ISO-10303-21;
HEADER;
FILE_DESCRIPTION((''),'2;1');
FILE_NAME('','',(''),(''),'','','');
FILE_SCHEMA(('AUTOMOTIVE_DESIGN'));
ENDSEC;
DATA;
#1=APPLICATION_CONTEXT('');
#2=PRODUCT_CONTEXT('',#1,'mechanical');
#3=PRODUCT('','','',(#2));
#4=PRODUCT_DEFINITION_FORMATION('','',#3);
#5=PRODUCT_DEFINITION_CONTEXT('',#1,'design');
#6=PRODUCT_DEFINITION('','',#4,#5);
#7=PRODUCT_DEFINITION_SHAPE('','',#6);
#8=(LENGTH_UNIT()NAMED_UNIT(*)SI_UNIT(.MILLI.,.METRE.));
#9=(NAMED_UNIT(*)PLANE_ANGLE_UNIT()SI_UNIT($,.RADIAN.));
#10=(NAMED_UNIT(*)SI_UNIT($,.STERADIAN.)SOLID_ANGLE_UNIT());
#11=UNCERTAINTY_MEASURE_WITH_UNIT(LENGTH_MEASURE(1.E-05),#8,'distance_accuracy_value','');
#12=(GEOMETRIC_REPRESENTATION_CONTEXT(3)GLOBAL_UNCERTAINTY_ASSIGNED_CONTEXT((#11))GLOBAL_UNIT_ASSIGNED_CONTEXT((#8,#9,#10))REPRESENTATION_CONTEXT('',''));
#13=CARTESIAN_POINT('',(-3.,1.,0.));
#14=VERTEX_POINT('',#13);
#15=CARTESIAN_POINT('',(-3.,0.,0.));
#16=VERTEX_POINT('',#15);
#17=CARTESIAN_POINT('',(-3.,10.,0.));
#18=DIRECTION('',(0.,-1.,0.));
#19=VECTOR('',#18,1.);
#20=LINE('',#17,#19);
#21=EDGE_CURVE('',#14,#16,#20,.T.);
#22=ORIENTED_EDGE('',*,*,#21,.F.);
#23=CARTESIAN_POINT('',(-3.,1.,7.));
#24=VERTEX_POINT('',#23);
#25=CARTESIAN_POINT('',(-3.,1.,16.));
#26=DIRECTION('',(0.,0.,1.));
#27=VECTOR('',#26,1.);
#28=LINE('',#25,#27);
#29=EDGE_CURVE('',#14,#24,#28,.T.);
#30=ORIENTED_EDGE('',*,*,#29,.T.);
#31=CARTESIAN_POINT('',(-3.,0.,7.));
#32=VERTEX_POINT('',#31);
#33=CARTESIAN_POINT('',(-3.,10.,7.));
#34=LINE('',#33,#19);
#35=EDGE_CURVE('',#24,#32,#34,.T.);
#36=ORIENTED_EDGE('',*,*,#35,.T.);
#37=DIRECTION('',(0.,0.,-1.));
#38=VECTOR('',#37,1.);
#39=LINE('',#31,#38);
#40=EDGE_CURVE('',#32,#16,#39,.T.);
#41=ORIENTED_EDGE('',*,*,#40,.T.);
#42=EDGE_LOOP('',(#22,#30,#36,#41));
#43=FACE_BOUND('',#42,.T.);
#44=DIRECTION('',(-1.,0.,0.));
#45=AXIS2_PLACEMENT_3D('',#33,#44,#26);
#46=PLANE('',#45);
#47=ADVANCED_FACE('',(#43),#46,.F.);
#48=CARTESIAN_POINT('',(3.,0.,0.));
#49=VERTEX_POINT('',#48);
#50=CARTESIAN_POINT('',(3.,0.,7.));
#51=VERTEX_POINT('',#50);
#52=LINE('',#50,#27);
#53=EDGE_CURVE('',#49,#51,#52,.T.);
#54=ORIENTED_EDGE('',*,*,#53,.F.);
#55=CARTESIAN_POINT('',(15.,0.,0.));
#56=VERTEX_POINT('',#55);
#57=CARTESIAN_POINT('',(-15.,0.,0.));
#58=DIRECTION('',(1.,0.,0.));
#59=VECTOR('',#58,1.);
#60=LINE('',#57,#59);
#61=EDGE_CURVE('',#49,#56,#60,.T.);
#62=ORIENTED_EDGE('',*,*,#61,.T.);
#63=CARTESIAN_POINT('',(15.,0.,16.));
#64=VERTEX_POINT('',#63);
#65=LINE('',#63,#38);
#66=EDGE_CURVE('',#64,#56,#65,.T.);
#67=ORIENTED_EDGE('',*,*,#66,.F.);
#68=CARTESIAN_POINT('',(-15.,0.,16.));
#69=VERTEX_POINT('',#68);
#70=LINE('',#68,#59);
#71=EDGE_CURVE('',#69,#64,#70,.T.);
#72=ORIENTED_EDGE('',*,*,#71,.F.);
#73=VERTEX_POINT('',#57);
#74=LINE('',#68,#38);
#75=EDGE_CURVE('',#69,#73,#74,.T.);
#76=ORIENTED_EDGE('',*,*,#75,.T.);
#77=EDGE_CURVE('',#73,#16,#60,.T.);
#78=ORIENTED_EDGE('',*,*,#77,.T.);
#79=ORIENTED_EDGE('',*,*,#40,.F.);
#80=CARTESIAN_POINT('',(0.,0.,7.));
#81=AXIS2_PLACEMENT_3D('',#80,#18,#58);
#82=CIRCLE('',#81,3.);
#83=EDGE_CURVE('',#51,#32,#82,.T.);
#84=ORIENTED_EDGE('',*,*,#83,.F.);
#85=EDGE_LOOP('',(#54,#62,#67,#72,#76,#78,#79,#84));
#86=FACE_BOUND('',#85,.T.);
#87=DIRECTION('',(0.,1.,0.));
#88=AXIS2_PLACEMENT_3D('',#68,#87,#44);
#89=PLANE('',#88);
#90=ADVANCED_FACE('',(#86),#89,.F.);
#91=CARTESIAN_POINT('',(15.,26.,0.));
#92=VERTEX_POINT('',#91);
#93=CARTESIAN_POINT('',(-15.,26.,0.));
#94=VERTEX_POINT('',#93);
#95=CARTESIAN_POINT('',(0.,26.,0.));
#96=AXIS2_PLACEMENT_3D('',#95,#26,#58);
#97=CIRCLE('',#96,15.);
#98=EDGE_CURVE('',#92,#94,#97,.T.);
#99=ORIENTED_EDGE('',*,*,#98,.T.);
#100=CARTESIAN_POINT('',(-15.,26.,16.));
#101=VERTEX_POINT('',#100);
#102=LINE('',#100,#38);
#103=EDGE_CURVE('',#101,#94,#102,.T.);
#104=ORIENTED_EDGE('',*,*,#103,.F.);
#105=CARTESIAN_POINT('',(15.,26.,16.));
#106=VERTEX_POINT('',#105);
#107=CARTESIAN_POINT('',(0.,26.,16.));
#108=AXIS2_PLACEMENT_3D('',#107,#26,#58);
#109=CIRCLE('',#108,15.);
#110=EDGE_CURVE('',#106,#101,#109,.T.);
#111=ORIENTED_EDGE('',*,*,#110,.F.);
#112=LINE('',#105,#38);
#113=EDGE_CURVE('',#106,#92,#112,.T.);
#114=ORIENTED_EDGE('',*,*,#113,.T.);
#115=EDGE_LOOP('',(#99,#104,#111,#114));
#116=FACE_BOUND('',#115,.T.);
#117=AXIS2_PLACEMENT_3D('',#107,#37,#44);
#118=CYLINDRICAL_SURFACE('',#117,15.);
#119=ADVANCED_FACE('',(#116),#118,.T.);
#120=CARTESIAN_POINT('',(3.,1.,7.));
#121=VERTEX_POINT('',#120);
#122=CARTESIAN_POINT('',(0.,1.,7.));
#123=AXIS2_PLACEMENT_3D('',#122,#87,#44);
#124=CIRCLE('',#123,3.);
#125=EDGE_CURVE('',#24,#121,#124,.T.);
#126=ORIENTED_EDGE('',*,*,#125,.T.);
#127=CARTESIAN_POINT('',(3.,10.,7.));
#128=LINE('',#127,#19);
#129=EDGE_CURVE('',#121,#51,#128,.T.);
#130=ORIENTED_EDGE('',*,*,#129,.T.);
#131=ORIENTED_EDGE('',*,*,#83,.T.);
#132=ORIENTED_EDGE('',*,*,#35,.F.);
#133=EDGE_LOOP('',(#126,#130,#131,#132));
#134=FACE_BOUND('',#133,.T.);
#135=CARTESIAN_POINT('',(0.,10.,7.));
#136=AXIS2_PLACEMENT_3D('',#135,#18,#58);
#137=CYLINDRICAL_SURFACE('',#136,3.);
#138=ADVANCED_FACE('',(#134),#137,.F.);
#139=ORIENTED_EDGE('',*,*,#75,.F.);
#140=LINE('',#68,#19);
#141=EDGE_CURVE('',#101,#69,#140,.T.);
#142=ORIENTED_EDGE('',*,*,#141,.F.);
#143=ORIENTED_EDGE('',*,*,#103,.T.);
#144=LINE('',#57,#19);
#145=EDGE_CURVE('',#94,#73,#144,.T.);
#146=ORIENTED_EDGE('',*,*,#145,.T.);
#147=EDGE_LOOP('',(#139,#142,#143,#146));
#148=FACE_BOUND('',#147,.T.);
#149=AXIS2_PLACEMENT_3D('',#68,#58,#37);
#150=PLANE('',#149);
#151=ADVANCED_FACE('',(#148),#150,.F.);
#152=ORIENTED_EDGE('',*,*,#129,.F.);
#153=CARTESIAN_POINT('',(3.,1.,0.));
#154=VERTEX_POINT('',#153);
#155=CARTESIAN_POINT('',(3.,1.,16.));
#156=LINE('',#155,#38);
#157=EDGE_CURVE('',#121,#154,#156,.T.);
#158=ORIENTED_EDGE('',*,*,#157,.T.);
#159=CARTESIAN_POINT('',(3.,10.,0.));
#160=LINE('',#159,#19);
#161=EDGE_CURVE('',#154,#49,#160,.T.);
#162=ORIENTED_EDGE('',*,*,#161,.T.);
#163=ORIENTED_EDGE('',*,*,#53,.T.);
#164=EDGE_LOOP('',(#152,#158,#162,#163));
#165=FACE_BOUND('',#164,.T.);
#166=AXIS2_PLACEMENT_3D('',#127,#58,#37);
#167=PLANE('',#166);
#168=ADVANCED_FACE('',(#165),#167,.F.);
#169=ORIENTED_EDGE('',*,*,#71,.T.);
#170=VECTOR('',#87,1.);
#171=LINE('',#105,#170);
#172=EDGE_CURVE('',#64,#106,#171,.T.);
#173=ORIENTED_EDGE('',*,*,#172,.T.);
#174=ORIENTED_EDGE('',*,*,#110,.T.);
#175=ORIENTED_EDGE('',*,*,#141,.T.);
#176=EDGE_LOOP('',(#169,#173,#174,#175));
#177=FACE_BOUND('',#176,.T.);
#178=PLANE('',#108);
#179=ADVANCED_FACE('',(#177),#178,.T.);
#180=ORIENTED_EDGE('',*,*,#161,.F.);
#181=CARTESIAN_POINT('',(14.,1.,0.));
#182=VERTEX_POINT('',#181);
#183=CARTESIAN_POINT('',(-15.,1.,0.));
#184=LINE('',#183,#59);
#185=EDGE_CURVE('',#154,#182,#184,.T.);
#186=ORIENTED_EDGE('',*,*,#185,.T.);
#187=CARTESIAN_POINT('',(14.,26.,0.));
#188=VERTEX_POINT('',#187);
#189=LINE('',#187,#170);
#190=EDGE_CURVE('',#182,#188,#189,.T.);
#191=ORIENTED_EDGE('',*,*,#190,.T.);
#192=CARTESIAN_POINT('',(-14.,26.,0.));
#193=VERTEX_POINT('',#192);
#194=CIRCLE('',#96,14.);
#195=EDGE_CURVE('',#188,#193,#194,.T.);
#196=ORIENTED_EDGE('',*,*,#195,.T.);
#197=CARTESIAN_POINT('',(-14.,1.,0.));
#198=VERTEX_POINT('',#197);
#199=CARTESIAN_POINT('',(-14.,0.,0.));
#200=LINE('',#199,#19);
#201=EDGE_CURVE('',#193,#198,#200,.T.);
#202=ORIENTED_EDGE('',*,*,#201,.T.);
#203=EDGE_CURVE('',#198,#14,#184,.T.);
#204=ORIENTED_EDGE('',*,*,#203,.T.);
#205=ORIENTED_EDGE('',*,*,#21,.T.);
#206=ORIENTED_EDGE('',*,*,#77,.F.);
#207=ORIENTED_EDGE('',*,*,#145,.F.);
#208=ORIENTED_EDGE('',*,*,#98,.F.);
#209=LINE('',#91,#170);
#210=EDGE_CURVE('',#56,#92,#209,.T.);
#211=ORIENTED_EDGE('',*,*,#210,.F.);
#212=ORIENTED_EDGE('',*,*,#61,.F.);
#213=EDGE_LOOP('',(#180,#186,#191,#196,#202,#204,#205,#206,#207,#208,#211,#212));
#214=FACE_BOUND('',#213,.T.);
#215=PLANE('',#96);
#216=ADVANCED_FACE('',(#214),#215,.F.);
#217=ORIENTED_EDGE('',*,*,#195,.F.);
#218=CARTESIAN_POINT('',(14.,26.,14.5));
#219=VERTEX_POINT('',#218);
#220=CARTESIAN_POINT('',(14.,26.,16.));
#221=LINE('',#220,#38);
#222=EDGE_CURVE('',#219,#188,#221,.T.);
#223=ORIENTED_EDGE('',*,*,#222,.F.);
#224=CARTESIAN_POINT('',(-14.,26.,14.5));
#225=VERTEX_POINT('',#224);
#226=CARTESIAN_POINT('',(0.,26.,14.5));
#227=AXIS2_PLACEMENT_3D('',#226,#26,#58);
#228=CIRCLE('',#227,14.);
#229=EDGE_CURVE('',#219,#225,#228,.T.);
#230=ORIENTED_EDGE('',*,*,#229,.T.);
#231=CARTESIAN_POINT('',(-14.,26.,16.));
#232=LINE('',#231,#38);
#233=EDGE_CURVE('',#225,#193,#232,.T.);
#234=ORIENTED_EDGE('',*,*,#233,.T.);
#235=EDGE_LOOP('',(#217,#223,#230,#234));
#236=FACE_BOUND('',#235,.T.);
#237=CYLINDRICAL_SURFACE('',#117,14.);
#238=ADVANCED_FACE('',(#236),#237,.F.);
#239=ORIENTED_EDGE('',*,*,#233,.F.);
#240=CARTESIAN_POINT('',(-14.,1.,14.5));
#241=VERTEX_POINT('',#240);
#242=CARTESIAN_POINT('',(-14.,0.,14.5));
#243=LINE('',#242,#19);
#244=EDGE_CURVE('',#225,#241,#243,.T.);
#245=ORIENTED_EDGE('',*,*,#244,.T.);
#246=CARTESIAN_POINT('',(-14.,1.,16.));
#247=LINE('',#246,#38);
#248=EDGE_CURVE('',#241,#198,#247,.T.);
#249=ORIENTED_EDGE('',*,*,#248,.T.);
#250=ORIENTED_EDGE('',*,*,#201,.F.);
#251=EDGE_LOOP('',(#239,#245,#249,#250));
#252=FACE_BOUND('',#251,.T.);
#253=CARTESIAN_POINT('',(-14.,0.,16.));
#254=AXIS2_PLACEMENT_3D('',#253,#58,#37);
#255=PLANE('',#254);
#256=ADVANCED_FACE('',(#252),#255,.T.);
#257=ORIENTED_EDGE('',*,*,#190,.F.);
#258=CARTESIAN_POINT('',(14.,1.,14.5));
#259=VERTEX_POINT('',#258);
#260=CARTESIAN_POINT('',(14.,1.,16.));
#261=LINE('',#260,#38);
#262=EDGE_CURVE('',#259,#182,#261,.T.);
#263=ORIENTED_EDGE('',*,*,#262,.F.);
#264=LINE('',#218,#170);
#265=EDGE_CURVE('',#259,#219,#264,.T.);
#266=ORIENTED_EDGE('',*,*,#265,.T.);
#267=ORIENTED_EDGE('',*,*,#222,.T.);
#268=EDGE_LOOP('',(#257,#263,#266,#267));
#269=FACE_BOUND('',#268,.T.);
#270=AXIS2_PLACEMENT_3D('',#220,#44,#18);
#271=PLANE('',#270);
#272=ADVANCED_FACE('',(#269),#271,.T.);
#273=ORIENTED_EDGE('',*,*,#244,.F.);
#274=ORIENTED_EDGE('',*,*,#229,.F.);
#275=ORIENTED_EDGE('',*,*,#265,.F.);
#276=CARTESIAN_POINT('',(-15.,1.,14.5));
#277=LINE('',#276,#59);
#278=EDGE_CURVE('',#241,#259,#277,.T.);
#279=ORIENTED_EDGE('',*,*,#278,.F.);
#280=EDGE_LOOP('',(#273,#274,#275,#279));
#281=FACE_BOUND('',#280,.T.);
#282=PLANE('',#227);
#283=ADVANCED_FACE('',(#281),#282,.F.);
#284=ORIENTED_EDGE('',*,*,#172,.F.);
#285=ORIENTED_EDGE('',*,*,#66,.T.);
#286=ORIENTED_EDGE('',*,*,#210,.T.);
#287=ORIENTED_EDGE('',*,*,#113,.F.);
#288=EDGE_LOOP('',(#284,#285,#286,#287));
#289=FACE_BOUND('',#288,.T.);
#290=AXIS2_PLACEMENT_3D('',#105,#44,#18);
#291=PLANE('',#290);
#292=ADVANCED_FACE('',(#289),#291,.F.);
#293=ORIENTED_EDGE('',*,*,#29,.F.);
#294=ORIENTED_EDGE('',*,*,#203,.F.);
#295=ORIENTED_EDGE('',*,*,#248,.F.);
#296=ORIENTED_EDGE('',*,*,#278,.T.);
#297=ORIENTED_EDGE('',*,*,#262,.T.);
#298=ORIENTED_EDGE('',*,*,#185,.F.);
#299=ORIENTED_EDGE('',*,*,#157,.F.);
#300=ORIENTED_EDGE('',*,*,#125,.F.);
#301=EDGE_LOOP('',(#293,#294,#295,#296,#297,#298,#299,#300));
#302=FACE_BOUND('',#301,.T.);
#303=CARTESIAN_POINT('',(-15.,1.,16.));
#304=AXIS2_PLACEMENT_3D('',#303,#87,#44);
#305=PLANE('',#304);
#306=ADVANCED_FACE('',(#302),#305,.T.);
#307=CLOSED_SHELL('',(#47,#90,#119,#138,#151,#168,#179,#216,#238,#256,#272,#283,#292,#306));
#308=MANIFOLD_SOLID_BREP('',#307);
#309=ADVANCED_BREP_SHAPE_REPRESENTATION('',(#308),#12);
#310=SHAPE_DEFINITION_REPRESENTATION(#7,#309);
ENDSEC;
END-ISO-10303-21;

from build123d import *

# Parameters (mm, degrees)
EXTRUDE_THIN1_DEPTH = 16
CUT_EXTRUDE1_DEPTH  = 10
BOSS_EXTRUDE1_START = -1.5
BOSS_EXTRUDE1_DEPTH = 1.5


with BuildPart() as part:
    # Sketch1 → Extrude-Thin1 (new body)
    with BuildSketch(Plane.XY):
        with BuildLine():
            Line((-15, 26), (-15, 0))
            Line((-15, 0), (15, 0))
            Line((15, 0), (15, 26))
            ThreePointArc((15, 26), (0, 41), (-15, 26))
        make_face()
        with BuildLine():
            Line((-14, 26), (-14, 1))
            Line((-14, 1), (14, 1))
            Line((14, 1), (14, 26))
            ThreePointArc((14, 26), (0, 40), (-14, 26))
        make_face(mode=Mode.SUBTRACT)
    extrude(amount=EXTRUDE_THIN1_DEPTH)

    # Sketch2 → Cut-Extrude1 (cut)
    with BuildSketch(Plane(origin=(0, 0, 0), x_dir=(-1, 0, 0), z_dir=(0, -1, 0))):
        with BuildLine():
            Line((3, -7), (3, 0))
            Line((3, 0), (-3, 0))
            Line((-3, 0), (-3, -7))
            ThreePointArc((-3, -7), (0, -10), (3, -7))
        make_face()
    extrude(amount=-CUT_EXTRUDE1_DEPTH, mode=Mode.SUBTRACT)

    # Sketch3 → Boss-Extrude1 (add)
    with BuildSketch(Plane.XY.offset(16).offset(BOSS_EXTRUDE1_START)):
        with BuildLine():
            Line((-15, 0), (15, 0))
            Line((15, 0), (15, 26))
            ThreePointArc((15, 26), (0, 41), (-15, 26))
            Line((-15, 26), (-15, 0))
        make_face()
    extrude(amount=BOSS_EXTRUDE1_DEPTH)


solid = part.part
